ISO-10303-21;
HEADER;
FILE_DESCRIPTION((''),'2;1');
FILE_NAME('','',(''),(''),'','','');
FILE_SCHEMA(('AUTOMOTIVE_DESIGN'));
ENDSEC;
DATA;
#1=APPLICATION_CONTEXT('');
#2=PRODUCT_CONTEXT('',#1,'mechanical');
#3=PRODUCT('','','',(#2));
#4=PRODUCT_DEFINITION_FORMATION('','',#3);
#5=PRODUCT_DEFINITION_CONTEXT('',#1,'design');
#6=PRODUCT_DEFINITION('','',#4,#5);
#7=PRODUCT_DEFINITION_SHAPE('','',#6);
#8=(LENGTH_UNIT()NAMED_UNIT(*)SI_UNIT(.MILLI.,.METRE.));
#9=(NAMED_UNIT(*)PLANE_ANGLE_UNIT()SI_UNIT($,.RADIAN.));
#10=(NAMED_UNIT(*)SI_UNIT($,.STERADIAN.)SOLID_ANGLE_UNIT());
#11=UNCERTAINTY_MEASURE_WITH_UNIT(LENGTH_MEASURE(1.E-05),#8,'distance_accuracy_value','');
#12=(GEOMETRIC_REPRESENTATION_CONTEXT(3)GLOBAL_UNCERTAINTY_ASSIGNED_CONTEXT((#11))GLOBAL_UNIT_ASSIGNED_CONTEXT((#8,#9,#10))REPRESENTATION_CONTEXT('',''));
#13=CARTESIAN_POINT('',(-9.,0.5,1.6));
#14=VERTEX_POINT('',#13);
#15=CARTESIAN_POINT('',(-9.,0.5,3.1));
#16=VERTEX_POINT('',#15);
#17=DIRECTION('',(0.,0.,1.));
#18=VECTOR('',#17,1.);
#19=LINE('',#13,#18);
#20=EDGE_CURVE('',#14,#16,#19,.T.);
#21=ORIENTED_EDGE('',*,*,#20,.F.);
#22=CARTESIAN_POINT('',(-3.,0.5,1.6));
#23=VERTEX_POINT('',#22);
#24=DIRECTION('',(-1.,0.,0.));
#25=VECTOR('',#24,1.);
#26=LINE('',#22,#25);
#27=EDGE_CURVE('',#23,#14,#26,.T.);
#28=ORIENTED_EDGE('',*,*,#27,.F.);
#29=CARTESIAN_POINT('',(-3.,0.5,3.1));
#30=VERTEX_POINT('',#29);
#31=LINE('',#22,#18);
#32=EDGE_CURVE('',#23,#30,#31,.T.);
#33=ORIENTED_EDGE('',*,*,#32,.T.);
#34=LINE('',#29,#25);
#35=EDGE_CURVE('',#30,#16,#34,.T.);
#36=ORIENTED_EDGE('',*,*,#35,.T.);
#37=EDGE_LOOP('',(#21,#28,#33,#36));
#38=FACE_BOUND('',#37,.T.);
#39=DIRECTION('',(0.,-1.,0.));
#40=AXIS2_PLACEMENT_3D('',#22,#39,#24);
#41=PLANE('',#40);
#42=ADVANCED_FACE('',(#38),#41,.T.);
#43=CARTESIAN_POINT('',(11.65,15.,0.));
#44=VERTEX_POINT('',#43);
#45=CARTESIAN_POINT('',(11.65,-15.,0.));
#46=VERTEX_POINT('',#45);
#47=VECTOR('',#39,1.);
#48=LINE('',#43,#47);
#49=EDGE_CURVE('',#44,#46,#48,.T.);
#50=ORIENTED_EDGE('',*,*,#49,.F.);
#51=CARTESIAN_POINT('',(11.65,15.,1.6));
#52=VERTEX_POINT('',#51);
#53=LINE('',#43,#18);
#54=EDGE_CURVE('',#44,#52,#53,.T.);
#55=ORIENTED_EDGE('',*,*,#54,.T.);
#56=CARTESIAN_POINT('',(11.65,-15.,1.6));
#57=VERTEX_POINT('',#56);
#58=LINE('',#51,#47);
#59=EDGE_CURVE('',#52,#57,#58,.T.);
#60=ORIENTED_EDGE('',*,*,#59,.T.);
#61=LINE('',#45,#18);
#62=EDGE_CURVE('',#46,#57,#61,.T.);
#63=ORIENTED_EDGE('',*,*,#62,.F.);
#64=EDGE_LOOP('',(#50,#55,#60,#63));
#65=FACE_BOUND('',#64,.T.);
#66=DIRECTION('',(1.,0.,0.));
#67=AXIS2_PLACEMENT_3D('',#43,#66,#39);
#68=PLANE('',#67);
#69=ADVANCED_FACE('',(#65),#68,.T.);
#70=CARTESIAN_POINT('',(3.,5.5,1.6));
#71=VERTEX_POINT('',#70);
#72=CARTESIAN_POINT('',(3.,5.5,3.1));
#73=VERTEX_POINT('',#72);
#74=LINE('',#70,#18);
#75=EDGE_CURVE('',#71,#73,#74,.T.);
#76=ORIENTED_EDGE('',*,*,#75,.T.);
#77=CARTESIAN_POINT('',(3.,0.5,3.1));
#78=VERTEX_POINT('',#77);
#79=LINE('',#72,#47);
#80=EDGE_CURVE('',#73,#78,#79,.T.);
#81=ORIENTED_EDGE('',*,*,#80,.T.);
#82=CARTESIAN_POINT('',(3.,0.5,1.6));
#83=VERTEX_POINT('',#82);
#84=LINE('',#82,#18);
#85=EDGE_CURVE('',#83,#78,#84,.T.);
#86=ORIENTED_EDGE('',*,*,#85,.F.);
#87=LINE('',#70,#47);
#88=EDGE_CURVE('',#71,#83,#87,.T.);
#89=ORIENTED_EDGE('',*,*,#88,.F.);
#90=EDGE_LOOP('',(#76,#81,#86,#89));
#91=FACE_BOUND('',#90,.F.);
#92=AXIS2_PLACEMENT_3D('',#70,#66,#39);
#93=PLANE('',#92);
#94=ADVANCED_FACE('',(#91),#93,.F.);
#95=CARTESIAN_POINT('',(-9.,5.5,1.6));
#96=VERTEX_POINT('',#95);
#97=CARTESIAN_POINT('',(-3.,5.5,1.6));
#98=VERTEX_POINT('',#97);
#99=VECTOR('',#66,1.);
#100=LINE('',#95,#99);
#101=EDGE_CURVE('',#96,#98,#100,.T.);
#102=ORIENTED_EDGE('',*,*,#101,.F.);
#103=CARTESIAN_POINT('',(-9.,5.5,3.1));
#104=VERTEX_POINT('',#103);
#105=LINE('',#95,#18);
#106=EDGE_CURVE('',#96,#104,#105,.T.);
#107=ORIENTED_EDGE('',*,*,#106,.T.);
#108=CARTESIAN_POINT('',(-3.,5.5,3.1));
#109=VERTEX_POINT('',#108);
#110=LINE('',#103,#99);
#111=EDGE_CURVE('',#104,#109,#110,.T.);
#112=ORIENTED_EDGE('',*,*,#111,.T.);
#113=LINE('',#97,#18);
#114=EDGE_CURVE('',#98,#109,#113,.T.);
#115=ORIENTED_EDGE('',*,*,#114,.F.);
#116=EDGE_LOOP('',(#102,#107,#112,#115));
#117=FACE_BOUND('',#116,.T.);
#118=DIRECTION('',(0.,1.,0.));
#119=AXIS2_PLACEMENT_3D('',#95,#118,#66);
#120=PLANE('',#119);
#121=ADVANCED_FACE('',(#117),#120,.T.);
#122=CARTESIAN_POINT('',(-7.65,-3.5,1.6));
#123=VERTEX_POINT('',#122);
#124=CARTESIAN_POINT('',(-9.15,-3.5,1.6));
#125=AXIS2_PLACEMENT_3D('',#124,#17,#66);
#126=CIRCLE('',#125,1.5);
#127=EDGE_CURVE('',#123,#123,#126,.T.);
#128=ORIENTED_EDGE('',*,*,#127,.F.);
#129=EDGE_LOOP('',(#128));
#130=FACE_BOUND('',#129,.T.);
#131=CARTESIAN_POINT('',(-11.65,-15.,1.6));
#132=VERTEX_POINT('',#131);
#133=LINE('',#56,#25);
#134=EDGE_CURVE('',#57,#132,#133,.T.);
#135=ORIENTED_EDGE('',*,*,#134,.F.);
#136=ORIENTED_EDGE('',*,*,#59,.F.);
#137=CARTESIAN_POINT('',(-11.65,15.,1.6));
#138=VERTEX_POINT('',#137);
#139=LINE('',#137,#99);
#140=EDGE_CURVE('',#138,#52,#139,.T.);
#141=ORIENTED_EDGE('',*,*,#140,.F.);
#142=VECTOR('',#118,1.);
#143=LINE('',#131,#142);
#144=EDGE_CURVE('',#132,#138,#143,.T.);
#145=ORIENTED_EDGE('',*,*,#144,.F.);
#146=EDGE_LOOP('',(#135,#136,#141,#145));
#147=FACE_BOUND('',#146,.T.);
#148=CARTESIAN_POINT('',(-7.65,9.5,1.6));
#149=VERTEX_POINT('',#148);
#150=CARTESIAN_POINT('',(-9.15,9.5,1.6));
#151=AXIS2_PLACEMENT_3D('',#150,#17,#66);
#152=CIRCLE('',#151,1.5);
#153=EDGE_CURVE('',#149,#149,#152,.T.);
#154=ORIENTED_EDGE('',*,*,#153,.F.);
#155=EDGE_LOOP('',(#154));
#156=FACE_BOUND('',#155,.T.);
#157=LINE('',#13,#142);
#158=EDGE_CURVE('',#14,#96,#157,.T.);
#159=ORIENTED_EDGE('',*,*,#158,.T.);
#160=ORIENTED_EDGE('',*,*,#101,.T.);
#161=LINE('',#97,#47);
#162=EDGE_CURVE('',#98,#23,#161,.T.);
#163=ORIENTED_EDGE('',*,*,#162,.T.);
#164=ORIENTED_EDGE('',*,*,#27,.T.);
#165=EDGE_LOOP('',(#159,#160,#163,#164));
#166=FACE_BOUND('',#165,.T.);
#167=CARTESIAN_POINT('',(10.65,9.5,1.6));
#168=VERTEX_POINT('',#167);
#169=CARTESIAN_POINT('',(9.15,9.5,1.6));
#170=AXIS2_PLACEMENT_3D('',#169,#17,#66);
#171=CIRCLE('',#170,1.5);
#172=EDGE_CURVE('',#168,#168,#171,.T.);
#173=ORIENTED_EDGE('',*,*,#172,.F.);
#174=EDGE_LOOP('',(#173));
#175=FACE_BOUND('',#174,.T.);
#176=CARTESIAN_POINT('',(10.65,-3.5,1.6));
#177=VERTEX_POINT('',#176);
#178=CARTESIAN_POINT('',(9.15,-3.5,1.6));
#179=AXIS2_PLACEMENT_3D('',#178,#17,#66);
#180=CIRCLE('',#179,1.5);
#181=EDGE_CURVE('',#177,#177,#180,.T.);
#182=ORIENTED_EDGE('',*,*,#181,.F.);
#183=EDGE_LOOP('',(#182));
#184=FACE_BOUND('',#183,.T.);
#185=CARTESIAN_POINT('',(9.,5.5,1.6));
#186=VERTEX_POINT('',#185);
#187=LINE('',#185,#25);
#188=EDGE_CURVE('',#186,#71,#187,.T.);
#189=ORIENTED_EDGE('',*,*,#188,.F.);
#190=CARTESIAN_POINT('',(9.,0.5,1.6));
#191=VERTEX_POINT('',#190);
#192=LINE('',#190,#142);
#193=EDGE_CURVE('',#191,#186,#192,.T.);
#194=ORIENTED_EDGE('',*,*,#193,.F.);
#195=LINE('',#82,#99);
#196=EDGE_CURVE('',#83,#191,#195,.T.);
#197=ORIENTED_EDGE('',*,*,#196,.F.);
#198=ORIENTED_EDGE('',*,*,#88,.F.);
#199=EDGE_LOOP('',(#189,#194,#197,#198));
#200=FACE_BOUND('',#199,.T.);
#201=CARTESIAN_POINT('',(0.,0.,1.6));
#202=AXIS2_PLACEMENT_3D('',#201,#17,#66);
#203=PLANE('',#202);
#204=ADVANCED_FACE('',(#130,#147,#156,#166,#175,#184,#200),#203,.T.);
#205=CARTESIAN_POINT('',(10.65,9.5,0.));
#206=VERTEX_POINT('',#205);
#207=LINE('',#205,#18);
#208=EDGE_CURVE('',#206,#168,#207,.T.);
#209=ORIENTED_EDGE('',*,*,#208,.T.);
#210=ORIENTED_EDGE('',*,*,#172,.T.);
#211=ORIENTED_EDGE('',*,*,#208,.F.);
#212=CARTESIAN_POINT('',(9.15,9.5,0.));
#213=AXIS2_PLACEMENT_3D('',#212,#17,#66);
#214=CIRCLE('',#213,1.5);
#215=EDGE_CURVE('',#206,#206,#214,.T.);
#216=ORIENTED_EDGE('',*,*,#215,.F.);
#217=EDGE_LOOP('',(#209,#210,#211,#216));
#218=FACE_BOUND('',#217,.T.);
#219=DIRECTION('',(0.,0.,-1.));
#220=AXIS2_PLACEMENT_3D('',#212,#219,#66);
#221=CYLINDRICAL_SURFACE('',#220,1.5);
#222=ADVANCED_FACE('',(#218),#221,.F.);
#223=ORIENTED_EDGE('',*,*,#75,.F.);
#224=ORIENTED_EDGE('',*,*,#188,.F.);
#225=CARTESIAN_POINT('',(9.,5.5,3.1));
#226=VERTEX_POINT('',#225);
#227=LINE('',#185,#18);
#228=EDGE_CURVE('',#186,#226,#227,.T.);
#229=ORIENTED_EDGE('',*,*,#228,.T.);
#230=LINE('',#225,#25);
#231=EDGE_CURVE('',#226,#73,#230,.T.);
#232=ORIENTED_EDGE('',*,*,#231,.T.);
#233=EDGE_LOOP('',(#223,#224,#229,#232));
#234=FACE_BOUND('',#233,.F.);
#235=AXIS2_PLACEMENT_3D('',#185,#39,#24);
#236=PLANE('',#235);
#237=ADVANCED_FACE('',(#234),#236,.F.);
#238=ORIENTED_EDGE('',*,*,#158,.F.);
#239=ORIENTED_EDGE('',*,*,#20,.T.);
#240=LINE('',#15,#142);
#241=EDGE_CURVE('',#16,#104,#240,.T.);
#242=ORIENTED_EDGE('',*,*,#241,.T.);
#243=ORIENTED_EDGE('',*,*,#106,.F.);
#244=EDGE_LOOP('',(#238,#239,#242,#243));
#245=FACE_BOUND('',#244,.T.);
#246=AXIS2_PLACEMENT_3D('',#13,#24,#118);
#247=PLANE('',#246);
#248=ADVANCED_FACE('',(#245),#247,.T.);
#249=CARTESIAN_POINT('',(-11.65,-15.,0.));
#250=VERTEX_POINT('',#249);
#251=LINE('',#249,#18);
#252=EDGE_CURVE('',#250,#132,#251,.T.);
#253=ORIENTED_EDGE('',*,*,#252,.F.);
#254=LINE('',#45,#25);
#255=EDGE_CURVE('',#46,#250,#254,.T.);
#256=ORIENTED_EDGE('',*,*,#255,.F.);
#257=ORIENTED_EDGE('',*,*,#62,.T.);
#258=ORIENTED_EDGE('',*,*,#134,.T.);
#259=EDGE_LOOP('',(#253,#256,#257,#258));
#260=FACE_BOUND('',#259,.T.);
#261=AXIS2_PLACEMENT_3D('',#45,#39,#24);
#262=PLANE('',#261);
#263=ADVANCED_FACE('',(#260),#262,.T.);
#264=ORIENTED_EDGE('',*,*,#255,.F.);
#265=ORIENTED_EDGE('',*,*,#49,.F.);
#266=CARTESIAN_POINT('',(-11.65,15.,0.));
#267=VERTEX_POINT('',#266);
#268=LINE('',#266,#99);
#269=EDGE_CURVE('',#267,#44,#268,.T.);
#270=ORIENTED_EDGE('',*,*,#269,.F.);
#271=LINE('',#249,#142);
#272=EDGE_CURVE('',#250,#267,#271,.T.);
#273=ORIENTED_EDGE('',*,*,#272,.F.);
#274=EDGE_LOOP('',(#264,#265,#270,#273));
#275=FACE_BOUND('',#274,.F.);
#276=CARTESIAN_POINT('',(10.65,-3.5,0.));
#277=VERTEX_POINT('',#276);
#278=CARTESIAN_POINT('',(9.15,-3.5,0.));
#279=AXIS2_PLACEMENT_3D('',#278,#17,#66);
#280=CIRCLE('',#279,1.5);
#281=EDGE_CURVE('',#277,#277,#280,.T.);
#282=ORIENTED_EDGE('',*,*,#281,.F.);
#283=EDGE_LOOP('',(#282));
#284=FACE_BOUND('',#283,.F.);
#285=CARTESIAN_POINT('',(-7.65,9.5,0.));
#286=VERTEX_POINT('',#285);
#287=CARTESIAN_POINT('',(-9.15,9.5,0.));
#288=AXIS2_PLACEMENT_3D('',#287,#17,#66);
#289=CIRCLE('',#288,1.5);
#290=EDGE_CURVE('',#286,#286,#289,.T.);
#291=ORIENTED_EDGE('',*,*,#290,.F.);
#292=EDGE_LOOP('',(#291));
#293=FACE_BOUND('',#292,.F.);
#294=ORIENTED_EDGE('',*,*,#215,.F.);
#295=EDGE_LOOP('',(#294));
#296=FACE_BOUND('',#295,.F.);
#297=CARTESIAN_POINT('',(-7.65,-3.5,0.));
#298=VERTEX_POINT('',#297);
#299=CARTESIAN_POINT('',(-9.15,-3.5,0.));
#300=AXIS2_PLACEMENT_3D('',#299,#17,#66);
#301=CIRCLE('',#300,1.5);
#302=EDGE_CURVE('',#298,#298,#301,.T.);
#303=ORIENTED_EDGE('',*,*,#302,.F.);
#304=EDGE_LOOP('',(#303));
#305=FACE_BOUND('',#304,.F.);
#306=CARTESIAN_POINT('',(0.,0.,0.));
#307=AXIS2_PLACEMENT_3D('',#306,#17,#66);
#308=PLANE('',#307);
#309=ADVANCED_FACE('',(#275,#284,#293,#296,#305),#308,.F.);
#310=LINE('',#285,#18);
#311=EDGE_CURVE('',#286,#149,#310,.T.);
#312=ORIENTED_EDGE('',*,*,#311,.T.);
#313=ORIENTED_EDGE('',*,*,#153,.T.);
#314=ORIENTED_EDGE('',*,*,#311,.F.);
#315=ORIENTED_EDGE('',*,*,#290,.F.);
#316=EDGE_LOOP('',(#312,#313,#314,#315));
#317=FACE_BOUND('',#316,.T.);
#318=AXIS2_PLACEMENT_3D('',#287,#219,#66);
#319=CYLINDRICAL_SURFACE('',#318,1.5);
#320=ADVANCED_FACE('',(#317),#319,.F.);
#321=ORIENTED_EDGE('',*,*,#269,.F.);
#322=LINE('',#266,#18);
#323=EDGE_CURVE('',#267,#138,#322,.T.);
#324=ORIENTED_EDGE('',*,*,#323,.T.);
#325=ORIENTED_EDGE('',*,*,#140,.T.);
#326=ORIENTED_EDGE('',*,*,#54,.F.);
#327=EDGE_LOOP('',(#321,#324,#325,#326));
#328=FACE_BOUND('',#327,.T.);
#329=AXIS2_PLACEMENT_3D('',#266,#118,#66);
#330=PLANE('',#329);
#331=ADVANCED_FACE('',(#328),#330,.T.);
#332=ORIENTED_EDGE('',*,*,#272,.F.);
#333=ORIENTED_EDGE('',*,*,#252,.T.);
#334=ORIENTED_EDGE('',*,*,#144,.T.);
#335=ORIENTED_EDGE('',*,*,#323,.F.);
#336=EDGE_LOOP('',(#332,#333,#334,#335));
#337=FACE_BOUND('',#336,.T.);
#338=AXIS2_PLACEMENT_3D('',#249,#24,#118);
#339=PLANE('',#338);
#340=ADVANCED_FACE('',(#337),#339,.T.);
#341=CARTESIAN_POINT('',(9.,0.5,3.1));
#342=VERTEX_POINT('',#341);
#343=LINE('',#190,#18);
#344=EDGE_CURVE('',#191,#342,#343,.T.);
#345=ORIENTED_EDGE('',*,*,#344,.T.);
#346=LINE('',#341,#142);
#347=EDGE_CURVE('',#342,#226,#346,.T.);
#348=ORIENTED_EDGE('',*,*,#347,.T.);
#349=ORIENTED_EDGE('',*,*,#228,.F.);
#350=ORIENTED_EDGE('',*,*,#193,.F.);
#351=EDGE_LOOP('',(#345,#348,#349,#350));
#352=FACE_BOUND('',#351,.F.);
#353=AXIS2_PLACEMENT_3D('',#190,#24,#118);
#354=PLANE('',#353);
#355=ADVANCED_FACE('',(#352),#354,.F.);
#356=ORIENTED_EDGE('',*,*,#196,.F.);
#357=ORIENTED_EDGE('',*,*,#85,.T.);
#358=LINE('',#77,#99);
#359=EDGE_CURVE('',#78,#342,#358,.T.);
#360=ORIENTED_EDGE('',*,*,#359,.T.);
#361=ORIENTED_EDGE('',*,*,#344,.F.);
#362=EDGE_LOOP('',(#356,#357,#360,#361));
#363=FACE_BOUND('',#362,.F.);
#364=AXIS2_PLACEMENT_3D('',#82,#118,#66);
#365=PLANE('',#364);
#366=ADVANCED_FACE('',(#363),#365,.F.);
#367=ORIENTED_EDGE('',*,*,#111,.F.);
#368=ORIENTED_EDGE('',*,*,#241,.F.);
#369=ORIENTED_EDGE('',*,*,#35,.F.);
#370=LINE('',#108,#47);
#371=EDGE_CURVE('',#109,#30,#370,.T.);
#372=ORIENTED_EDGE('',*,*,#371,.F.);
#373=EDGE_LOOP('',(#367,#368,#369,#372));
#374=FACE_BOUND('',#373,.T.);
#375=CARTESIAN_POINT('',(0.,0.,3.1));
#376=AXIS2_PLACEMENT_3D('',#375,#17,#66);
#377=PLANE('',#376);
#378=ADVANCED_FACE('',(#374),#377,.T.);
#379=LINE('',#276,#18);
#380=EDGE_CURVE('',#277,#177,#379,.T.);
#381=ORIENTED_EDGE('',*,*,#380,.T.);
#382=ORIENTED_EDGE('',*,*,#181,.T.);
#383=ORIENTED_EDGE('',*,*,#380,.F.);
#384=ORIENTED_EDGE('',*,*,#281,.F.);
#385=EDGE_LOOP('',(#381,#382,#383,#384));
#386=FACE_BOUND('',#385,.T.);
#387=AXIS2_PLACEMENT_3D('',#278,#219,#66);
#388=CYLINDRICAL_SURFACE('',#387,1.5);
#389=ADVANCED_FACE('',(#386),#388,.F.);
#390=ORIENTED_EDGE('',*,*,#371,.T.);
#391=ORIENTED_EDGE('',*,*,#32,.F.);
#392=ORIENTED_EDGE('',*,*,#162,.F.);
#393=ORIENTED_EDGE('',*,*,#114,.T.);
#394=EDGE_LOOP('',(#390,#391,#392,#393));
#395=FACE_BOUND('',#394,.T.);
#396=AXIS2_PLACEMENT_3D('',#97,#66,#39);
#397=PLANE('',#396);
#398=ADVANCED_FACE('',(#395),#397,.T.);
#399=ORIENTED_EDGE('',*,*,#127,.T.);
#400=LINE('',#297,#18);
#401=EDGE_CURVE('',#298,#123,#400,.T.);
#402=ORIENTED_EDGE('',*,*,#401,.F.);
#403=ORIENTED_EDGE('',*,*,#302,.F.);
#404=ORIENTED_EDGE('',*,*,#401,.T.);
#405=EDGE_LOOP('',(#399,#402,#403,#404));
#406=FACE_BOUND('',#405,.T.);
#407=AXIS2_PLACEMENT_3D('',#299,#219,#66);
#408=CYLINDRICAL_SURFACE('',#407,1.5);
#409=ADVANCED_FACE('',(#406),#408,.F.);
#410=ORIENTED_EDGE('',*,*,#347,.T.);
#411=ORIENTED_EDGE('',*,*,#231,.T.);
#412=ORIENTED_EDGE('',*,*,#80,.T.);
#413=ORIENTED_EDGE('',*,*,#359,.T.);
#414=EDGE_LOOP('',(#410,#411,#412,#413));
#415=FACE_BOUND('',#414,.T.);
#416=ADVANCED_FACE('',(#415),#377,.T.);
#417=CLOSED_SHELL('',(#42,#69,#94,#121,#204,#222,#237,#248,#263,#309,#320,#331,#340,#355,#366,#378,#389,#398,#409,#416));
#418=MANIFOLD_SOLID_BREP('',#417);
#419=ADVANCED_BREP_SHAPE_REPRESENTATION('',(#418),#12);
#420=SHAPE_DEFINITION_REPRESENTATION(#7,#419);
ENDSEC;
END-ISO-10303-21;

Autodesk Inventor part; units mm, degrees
ref_plane "YZ Plane" through (0, 0, 0) normal (1, 0, 0) x (0, 1, 0)
ref_plane "XZ Plane" through (0, 0, 0) normal (0, 1, 0) x (-1, 0, 0)
ref_plane "XY Plane" through (0, 0, 0) normal (0, 0, 1) x (1, 0, 0)
sketch "스케치1" plane through (0, 0, 0) normal (0, 0, 1) x (1, 0, 0)
  line L0 (-11.65, 15) -> (11.65, 15)
  line L1 (11.65, 15) -> (11.65, -15)
  line L2 (11.65, -15) -> (-11.65, -15)
  line L3 (-11.65, -15) -> (-11.65, 15)
  line L4 (-11.65, 15) -> (11.65, -15) construction
  line L5 (11.65, 15) -> (-11.65, -15) construction
  line L6 (-9.15, 9.5) -> (9.15, 9.5) construction
  line L7 (9.15, 9.5) -> (9.15, -3.5) construction
  line L8 (9.15, -3.5) -> (-9.15, -3.5) construction
  line L9 (-9.15, -3.5) -> (-9.15, 9.5) construction
  line L10 (-9.15, 9.5) -> (9.15, -3.5) construction
  line L11 (9.15, 9.5) -> (-9.15, -3.5) construction
  line L12 (0, 3) -> (5.3972, 3)
  line L13 (0, 3) -> (0, 6.3473)
  circle A0 centre (-9.15, 9.5) radius 1.5
  circle A1 centre (-9.15, -3.5) radius 1.5
  circle A2 centre (9.15, 9.5) radius 1.5
  circle A3 centre (9.15, -3.5) radius 1.5
  point P0 (0, 0)
  dimension "d0" = 23.3
  dimension "d1" = 30
  dimension "d2" = 5.5
  dimension "d3" = 2.5
  dimension "d4" = 13
  dimension "d5" = 3
extrude "돌출1" add sketch "스케치1" along normal blind 1.6
sketch "스케치2" plane through (0, 0, 1.6) normal (0, 0, 1) x (1, 0, 0)
  line L0 (-9, 5.5) -> (-3, 5.5)
  line L1 (-3, 5.5) -> (-3, 0.5)
  line L2 (-3, 0.5) -> (-9, 0.5)
  line L3 (-9, 0.5) -> (-9, 5.5)
  line L4 (-9, 5.5) -> (-3, 0.5) construction
  line L5 (-3, 5.5) -> (-9, 0.5) construction
  line L6 (0, 0) -> (0, -2)
  line L7 (9, 5.5) -> (3, 5.5)
  line L8 (3, 5.5) -> (3, 0.5)
  line L9 (3, 0.5) -> (9, 0.5)
  line L10 (9, 0.5) -> (9, 5.5)
  line L11 (9, 5.5) -> (3, 0.5) construction
  line L12 (3, 5.5) -> (9, 0.5) construction
  point P0 (-6, 3)
  point P1 (6, 3)
  dimension "d8" = 6
  dimension "d9" = 5
  dimension "d10" = 6
  dimension "d11" = 3
extrude "돌출2" add sketch "스케치2" along normal blind 1.5
properties part number "모터 드라이버"
